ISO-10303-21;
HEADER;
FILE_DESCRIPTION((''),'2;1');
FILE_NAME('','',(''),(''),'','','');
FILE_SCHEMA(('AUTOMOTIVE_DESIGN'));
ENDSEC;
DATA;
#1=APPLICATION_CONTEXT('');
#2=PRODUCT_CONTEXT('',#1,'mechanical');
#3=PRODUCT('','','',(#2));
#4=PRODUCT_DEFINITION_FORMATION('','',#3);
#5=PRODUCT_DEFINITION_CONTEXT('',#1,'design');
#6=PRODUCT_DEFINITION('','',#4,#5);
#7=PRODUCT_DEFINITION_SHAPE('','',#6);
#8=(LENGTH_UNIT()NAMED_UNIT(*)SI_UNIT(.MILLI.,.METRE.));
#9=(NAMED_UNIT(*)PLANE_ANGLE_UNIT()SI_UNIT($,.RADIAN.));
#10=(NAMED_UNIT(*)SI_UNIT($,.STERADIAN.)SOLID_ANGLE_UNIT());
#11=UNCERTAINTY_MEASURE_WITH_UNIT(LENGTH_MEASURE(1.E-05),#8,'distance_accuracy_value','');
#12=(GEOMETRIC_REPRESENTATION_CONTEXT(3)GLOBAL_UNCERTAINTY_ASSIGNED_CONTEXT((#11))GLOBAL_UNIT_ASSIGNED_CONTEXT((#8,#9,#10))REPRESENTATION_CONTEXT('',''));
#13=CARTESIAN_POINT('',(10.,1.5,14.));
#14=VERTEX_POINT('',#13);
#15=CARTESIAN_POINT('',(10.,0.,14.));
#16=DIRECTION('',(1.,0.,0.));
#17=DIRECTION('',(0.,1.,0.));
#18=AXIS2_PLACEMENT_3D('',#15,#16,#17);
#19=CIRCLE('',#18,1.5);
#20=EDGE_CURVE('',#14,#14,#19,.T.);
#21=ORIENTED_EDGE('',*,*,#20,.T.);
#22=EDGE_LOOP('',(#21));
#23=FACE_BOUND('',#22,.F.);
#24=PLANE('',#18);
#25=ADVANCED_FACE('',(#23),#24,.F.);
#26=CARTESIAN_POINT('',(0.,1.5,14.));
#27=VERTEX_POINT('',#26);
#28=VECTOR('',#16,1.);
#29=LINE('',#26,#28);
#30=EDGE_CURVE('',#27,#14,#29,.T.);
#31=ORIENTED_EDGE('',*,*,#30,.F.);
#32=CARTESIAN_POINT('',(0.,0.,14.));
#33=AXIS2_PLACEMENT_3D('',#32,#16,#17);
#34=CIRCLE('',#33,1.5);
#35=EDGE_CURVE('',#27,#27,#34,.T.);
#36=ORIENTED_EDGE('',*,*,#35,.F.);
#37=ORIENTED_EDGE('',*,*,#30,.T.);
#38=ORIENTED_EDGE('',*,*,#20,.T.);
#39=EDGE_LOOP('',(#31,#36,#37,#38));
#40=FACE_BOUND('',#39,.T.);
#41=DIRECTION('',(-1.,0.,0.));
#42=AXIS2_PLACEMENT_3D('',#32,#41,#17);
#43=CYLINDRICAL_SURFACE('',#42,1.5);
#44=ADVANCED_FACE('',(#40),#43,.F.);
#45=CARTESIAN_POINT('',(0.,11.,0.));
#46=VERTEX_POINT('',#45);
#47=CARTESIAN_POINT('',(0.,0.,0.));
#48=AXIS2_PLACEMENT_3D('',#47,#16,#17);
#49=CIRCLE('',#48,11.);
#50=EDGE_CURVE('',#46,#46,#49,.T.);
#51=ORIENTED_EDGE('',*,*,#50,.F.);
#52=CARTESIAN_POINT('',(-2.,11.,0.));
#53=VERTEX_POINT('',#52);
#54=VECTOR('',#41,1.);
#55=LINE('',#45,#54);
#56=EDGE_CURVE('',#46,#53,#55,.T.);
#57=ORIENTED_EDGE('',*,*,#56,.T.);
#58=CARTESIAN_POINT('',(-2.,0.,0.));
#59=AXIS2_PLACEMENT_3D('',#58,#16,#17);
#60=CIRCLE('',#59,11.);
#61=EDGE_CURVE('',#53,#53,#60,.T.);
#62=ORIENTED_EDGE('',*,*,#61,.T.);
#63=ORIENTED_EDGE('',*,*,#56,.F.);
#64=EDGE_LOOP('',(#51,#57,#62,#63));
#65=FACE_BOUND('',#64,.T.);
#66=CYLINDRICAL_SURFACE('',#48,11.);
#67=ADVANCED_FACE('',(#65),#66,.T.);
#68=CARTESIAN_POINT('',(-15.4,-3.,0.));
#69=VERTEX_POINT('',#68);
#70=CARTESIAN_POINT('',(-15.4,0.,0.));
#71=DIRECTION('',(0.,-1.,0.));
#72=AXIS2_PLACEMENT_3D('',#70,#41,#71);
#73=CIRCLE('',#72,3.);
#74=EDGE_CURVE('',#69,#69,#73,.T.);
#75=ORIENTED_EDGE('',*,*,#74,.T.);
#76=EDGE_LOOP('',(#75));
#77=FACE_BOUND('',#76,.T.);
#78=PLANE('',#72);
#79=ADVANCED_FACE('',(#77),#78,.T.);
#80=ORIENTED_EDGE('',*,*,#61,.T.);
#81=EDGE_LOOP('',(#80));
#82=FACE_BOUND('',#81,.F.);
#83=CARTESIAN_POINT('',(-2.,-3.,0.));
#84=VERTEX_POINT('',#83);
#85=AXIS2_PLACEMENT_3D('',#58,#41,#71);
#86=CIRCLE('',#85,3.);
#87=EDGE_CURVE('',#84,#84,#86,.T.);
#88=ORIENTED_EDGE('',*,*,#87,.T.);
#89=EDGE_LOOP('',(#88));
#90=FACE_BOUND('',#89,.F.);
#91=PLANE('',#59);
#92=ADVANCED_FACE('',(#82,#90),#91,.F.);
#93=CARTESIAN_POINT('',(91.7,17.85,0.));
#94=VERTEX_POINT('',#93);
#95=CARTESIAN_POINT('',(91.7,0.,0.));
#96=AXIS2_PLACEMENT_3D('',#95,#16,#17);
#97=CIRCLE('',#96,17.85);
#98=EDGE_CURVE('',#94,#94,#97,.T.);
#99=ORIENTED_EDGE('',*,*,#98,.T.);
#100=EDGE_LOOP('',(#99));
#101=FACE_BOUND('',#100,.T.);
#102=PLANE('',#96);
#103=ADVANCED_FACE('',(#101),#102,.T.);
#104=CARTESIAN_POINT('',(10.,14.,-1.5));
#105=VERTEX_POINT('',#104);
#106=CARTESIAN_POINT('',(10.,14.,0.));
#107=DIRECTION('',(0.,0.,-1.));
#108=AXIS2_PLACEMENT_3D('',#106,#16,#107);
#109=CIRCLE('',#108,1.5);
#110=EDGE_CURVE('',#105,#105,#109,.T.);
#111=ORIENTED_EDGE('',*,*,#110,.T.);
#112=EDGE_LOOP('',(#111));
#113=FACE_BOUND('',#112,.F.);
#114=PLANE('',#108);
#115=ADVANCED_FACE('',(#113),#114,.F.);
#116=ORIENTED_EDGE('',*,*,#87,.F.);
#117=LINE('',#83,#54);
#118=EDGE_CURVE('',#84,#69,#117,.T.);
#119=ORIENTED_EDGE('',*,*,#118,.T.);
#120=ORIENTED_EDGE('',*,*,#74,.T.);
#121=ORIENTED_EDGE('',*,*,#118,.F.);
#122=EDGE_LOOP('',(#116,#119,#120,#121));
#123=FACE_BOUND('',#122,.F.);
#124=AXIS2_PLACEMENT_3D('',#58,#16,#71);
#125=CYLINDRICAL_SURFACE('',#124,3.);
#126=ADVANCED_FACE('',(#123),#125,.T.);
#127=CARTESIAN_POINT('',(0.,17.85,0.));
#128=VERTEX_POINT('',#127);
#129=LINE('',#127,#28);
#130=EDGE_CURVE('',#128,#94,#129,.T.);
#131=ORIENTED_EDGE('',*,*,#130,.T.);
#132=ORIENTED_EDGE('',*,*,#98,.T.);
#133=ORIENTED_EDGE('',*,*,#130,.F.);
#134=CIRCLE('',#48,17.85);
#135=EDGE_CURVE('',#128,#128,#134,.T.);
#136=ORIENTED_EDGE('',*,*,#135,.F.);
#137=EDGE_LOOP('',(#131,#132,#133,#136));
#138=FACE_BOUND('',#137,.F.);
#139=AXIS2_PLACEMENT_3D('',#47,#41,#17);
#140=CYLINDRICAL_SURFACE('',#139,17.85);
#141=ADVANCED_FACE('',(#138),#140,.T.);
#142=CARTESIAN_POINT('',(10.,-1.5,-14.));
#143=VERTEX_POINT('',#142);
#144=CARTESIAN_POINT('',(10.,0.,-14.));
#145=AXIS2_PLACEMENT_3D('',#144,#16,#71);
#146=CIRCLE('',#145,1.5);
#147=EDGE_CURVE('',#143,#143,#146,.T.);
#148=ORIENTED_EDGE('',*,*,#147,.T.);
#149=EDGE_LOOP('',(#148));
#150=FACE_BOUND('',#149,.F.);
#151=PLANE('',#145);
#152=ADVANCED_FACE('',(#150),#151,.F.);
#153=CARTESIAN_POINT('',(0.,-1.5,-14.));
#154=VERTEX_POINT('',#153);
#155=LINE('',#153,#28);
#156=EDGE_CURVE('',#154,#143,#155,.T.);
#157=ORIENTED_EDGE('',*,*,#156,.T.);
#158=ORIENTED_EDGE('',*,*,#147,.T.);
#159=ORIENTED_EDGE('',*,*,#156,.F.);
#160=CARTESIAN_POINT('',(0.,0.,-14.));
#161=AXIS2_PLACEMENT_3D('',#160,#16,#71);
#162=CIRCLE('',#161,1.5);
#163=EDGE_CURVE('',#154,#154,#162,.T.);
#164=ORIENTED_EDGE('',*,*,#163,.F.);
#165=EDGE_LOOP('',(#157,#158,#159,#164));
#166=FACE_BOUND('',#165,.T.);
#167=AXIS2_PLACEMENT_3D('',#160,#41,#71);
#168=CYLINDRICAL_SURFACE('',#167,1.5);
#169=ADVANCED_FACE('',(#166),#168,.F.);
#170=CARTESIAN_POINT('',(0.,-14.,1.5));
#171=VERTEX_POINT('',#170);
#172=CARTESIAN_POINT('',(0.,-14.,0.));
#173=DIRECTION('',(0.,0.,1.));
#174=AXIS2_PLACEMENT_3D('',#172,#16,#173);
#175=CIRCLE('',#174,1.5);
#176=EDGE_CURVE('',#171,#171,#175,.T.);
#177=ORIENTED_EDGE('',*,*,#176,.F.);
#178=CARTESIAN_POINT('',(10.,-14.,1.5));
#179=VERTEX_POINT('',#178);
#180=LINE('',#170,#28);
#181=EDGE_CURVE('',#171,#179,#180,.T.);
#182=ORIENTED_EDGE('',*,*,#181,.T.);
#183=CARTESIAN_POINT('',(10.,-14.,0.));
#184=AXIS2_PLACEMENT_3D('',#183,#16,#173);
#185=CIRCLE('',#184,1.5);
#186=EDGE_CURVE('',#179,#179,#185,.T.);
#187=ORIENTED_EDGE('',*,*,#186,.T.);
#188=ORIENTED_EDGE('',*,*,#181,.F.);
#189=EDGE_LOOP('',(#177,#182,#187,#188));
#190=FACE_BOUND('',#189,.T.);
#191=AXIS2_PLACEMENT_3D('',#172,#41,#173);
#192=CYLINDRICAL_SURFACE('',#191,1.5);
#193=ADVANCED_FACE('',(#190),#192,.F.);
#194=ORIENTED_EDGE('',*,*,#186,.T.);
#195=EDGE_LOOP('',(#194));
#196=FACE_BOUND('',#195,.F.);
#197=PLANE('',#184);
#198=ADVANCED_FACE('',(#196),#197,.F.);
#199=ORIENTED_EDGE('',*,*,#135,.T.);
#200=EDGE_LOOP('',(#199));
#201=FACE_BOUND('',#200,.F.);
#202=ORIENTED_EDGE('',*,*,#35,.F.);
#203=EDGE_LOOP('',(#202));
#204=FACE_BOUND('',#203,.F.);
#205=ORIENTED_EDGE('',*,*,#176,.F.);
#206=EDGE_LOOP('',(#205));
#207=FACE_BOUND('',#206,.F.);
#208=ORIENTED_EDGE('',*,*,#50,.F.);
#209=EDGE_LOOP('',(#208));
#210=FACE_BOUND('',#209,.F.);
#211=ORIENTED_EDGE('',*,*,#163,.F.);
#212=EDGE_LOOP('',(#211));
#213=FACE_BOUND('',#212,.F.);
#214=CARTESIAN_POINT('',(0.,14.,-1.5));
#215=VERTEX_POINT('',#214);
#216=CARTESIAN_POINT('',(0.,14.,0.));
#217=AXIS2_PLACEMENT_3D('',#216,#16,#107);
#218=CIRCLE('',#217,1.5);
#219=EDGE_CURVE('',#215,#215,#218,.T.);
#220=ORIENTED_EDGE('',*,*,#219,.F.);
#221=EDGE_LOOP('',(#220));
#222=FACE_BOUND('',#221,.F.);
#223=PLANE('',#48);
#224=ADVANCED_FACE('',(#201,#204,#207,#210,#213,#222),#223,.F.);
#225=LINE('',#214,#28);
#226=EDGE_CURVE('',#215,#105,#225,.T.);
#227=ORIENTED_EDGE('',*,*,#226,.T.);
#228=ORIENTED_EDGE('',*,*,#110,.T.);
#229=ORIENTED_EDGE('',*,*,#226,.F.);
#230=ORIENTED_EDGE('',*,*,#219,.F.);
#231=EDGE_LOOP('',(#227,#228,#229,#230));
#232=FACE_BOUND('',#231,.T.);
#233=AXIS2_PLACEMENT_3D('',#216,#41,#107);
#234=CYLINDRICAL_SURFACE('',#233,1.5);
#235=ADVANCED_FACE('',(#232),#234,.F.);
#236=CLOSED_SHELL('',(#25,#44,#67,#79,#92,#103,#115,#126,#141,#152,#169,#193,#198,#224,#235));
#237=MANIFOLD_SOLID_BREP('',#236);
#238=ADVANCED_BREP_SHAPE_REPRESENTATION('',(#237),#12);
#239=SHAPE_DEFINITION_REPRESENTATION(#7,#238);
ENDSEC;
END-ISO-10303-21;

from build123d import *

# Parameters (mm, degrees)
SKETCH_R           = 17.85
PAD_DEPTH          = 91.7
SKETCH001_R        = 11
PAD001_DEPTH       = 2
SKETCH002_R        = 3
PAD002_DEPTH       = 13.4
SKETCH003_R        = 1.5
POCKET_DEPTH       = 10
POLARPATTERN_COUNT = 4


with BuildPart() as part:
    # Sketch → Pad (new body)
    with BuildSketch(Plane.YZ):
        Circle(SKETCH_R)
    extrude(amount=PAD_DEPTH)

    # Sketch001 → Pad001 (join)
    with BuildSketch(Plane.YZ):
        Circle(SKETCH001_R)
    extrude(amount=-PAD001_DEPTH)

    # Sketch002 (on Face5 of Pad001) → Pad002 (join)
    with BuildSketch(Plane(origin=(-2, 0, 0), x_dir=(0, -1, 0), z_dir=(-1, 0, 0))):
        Circle(SKETCH002_R)
    extrude(amount=PAD002_DEPTH)

    # Sketch003 → Pocket (cut)
    with BuildSketch(Plane.YZ):
        with Locations((0, 14)):
            Circle(SKETCH003_R)
    pocket = extrude(amount=POCKET_DEPTH, mode=Mode.SUBTRACT)

    # PolarPattern: Pocket ×4 about axis
    polarpattern_axis = Axis((0, 0, 0), (1, 0, 0))
    for i in range(1, POLARPATTERN_COUNT):
        add(pocket.rotate(polarpattern_axis, i * 360 / POLARPATTERN_COUNT), mode=Mode.SUBTRACT)


solid = part.part
